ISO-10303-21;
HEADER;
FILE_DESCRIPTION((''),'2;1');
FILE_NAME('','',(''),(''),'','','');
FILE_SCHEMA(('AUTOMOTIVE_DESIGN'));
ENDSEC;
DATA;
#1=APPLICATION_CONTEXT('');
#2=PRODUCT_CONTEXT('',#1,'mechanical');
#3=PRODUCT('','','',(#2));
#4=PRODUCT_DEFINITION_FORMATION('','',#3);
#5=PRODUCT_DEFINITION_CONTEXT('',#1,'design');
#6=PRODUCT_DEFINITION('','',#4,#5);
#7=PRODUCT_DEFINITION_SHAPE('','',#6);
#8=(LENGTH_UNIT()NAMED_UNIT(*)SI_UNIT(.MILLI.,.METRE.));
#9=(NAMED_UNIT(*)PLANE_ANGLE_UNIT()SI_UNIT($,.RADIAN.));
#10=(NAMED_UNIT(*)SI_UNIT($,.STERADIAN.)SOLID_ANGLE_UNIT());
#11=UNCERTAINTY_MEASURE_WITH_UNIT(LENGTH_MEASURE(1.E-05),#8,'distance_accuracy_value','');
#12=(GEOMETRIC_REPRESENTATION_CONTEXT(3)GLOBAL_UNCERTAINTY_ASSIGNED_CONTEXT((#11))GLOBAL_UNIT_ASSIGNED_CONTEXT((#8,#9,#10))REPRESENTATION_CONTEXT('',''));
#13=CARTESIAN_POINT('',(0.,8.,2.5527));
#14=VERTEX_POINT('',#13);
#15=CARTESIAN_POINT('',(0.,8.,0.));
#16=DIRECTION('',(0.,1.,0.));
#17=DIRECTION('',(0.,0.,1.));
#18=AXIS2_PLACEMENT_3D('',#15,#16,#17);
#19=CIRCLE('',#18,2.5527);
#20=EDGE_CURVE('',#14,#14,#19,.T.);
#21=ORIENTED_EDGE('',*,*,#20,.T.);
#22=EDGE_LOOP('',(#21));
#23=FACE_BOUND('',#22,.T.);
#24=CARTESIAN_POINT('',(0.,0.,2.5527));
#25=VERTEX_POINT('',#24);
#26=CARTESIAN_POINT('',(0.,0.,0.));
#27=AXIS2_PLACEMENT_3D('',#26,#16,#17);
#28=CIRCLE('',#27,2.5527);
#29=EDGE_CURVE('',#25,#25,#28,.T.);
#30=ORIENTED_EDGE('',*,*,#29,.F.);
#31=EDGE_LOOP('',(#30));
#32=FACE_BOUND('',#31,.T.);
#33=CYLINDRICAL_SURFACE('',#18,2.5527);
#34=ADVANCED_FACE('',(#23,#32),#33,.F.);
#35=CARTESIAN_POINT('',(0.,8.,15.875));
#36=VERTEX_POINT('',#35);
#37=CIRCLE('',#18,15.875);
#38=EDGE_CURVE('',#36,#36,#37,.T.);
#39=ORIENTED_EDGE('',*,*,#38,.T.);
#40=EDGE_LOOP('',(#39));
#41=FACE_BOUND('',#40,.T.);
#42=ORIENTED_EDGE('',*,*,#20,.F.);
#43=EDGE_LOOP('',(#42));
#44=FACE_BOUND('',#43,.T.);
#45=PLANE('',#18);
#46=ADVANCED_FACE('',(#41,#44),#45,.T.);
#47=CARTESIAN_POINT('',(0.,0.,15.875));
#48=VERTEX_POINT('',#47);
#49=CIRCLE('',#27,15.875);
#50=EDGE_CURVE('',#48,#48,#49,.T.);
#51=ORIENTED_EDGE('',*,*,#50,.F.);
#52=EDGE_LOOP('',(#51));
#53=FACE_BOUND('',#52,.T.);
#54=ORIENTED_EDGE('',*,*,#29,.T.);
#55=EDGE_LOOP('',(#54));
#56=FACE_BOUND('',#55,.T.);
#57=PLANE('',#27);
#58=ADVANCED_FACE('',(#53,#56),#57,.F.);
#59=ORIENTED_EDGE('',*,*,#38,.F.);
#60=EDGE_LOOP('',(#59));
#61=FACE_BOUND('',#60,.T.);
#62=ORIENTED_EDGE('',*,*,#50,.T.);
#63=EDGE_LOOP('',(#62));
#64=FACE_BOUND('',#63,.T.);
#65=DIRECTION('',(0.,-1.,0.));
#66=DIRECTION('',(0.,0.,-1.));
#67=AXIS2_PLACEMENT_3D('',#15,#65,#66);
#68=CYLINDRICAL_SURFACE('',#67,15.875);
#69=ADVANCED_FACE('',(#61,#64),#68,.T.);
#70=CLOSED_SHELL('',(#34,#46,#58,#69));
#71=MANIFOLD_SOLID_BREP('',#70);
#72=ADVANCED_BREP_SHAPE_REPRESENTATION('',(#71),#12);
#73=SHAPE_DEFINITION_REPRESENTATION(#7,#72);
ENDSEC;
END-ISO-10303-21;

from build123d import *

# Parameters (mm, degrees)
SKETCH1_R               = 15.875
BOSS_EXTRUDE1_DEPTH     = 8
F_1_4_20_TAPPED_HOLE1_D = 5.1054


with BuildPart() as part:
    # Sketch1 → Boss-Extrude1 (new body)
    with BuildSketch(Plane(origin=(0, 0, 0), x_dir=(1, 0, 0), z_dir=(0, 1, 0))):
        with Locations(Location((0, 0, 0), (0, 0, 270))):
            Circle(SKETCH1_R)
    extrude(amount=BOSS_EXTRUDE1_DEPTH)

    # 1/4-20 Tapped Hole1 (through all)
    with Locations(Plane(origin=(0, 8, 0), x_dir=(1, 0, 0), z_dir=(0, 1, 0))):
        with Locations((0, 0)):
            Hole(F_1_4_20_TAPPED_HOLE1_D / 2)


solid = part.part
